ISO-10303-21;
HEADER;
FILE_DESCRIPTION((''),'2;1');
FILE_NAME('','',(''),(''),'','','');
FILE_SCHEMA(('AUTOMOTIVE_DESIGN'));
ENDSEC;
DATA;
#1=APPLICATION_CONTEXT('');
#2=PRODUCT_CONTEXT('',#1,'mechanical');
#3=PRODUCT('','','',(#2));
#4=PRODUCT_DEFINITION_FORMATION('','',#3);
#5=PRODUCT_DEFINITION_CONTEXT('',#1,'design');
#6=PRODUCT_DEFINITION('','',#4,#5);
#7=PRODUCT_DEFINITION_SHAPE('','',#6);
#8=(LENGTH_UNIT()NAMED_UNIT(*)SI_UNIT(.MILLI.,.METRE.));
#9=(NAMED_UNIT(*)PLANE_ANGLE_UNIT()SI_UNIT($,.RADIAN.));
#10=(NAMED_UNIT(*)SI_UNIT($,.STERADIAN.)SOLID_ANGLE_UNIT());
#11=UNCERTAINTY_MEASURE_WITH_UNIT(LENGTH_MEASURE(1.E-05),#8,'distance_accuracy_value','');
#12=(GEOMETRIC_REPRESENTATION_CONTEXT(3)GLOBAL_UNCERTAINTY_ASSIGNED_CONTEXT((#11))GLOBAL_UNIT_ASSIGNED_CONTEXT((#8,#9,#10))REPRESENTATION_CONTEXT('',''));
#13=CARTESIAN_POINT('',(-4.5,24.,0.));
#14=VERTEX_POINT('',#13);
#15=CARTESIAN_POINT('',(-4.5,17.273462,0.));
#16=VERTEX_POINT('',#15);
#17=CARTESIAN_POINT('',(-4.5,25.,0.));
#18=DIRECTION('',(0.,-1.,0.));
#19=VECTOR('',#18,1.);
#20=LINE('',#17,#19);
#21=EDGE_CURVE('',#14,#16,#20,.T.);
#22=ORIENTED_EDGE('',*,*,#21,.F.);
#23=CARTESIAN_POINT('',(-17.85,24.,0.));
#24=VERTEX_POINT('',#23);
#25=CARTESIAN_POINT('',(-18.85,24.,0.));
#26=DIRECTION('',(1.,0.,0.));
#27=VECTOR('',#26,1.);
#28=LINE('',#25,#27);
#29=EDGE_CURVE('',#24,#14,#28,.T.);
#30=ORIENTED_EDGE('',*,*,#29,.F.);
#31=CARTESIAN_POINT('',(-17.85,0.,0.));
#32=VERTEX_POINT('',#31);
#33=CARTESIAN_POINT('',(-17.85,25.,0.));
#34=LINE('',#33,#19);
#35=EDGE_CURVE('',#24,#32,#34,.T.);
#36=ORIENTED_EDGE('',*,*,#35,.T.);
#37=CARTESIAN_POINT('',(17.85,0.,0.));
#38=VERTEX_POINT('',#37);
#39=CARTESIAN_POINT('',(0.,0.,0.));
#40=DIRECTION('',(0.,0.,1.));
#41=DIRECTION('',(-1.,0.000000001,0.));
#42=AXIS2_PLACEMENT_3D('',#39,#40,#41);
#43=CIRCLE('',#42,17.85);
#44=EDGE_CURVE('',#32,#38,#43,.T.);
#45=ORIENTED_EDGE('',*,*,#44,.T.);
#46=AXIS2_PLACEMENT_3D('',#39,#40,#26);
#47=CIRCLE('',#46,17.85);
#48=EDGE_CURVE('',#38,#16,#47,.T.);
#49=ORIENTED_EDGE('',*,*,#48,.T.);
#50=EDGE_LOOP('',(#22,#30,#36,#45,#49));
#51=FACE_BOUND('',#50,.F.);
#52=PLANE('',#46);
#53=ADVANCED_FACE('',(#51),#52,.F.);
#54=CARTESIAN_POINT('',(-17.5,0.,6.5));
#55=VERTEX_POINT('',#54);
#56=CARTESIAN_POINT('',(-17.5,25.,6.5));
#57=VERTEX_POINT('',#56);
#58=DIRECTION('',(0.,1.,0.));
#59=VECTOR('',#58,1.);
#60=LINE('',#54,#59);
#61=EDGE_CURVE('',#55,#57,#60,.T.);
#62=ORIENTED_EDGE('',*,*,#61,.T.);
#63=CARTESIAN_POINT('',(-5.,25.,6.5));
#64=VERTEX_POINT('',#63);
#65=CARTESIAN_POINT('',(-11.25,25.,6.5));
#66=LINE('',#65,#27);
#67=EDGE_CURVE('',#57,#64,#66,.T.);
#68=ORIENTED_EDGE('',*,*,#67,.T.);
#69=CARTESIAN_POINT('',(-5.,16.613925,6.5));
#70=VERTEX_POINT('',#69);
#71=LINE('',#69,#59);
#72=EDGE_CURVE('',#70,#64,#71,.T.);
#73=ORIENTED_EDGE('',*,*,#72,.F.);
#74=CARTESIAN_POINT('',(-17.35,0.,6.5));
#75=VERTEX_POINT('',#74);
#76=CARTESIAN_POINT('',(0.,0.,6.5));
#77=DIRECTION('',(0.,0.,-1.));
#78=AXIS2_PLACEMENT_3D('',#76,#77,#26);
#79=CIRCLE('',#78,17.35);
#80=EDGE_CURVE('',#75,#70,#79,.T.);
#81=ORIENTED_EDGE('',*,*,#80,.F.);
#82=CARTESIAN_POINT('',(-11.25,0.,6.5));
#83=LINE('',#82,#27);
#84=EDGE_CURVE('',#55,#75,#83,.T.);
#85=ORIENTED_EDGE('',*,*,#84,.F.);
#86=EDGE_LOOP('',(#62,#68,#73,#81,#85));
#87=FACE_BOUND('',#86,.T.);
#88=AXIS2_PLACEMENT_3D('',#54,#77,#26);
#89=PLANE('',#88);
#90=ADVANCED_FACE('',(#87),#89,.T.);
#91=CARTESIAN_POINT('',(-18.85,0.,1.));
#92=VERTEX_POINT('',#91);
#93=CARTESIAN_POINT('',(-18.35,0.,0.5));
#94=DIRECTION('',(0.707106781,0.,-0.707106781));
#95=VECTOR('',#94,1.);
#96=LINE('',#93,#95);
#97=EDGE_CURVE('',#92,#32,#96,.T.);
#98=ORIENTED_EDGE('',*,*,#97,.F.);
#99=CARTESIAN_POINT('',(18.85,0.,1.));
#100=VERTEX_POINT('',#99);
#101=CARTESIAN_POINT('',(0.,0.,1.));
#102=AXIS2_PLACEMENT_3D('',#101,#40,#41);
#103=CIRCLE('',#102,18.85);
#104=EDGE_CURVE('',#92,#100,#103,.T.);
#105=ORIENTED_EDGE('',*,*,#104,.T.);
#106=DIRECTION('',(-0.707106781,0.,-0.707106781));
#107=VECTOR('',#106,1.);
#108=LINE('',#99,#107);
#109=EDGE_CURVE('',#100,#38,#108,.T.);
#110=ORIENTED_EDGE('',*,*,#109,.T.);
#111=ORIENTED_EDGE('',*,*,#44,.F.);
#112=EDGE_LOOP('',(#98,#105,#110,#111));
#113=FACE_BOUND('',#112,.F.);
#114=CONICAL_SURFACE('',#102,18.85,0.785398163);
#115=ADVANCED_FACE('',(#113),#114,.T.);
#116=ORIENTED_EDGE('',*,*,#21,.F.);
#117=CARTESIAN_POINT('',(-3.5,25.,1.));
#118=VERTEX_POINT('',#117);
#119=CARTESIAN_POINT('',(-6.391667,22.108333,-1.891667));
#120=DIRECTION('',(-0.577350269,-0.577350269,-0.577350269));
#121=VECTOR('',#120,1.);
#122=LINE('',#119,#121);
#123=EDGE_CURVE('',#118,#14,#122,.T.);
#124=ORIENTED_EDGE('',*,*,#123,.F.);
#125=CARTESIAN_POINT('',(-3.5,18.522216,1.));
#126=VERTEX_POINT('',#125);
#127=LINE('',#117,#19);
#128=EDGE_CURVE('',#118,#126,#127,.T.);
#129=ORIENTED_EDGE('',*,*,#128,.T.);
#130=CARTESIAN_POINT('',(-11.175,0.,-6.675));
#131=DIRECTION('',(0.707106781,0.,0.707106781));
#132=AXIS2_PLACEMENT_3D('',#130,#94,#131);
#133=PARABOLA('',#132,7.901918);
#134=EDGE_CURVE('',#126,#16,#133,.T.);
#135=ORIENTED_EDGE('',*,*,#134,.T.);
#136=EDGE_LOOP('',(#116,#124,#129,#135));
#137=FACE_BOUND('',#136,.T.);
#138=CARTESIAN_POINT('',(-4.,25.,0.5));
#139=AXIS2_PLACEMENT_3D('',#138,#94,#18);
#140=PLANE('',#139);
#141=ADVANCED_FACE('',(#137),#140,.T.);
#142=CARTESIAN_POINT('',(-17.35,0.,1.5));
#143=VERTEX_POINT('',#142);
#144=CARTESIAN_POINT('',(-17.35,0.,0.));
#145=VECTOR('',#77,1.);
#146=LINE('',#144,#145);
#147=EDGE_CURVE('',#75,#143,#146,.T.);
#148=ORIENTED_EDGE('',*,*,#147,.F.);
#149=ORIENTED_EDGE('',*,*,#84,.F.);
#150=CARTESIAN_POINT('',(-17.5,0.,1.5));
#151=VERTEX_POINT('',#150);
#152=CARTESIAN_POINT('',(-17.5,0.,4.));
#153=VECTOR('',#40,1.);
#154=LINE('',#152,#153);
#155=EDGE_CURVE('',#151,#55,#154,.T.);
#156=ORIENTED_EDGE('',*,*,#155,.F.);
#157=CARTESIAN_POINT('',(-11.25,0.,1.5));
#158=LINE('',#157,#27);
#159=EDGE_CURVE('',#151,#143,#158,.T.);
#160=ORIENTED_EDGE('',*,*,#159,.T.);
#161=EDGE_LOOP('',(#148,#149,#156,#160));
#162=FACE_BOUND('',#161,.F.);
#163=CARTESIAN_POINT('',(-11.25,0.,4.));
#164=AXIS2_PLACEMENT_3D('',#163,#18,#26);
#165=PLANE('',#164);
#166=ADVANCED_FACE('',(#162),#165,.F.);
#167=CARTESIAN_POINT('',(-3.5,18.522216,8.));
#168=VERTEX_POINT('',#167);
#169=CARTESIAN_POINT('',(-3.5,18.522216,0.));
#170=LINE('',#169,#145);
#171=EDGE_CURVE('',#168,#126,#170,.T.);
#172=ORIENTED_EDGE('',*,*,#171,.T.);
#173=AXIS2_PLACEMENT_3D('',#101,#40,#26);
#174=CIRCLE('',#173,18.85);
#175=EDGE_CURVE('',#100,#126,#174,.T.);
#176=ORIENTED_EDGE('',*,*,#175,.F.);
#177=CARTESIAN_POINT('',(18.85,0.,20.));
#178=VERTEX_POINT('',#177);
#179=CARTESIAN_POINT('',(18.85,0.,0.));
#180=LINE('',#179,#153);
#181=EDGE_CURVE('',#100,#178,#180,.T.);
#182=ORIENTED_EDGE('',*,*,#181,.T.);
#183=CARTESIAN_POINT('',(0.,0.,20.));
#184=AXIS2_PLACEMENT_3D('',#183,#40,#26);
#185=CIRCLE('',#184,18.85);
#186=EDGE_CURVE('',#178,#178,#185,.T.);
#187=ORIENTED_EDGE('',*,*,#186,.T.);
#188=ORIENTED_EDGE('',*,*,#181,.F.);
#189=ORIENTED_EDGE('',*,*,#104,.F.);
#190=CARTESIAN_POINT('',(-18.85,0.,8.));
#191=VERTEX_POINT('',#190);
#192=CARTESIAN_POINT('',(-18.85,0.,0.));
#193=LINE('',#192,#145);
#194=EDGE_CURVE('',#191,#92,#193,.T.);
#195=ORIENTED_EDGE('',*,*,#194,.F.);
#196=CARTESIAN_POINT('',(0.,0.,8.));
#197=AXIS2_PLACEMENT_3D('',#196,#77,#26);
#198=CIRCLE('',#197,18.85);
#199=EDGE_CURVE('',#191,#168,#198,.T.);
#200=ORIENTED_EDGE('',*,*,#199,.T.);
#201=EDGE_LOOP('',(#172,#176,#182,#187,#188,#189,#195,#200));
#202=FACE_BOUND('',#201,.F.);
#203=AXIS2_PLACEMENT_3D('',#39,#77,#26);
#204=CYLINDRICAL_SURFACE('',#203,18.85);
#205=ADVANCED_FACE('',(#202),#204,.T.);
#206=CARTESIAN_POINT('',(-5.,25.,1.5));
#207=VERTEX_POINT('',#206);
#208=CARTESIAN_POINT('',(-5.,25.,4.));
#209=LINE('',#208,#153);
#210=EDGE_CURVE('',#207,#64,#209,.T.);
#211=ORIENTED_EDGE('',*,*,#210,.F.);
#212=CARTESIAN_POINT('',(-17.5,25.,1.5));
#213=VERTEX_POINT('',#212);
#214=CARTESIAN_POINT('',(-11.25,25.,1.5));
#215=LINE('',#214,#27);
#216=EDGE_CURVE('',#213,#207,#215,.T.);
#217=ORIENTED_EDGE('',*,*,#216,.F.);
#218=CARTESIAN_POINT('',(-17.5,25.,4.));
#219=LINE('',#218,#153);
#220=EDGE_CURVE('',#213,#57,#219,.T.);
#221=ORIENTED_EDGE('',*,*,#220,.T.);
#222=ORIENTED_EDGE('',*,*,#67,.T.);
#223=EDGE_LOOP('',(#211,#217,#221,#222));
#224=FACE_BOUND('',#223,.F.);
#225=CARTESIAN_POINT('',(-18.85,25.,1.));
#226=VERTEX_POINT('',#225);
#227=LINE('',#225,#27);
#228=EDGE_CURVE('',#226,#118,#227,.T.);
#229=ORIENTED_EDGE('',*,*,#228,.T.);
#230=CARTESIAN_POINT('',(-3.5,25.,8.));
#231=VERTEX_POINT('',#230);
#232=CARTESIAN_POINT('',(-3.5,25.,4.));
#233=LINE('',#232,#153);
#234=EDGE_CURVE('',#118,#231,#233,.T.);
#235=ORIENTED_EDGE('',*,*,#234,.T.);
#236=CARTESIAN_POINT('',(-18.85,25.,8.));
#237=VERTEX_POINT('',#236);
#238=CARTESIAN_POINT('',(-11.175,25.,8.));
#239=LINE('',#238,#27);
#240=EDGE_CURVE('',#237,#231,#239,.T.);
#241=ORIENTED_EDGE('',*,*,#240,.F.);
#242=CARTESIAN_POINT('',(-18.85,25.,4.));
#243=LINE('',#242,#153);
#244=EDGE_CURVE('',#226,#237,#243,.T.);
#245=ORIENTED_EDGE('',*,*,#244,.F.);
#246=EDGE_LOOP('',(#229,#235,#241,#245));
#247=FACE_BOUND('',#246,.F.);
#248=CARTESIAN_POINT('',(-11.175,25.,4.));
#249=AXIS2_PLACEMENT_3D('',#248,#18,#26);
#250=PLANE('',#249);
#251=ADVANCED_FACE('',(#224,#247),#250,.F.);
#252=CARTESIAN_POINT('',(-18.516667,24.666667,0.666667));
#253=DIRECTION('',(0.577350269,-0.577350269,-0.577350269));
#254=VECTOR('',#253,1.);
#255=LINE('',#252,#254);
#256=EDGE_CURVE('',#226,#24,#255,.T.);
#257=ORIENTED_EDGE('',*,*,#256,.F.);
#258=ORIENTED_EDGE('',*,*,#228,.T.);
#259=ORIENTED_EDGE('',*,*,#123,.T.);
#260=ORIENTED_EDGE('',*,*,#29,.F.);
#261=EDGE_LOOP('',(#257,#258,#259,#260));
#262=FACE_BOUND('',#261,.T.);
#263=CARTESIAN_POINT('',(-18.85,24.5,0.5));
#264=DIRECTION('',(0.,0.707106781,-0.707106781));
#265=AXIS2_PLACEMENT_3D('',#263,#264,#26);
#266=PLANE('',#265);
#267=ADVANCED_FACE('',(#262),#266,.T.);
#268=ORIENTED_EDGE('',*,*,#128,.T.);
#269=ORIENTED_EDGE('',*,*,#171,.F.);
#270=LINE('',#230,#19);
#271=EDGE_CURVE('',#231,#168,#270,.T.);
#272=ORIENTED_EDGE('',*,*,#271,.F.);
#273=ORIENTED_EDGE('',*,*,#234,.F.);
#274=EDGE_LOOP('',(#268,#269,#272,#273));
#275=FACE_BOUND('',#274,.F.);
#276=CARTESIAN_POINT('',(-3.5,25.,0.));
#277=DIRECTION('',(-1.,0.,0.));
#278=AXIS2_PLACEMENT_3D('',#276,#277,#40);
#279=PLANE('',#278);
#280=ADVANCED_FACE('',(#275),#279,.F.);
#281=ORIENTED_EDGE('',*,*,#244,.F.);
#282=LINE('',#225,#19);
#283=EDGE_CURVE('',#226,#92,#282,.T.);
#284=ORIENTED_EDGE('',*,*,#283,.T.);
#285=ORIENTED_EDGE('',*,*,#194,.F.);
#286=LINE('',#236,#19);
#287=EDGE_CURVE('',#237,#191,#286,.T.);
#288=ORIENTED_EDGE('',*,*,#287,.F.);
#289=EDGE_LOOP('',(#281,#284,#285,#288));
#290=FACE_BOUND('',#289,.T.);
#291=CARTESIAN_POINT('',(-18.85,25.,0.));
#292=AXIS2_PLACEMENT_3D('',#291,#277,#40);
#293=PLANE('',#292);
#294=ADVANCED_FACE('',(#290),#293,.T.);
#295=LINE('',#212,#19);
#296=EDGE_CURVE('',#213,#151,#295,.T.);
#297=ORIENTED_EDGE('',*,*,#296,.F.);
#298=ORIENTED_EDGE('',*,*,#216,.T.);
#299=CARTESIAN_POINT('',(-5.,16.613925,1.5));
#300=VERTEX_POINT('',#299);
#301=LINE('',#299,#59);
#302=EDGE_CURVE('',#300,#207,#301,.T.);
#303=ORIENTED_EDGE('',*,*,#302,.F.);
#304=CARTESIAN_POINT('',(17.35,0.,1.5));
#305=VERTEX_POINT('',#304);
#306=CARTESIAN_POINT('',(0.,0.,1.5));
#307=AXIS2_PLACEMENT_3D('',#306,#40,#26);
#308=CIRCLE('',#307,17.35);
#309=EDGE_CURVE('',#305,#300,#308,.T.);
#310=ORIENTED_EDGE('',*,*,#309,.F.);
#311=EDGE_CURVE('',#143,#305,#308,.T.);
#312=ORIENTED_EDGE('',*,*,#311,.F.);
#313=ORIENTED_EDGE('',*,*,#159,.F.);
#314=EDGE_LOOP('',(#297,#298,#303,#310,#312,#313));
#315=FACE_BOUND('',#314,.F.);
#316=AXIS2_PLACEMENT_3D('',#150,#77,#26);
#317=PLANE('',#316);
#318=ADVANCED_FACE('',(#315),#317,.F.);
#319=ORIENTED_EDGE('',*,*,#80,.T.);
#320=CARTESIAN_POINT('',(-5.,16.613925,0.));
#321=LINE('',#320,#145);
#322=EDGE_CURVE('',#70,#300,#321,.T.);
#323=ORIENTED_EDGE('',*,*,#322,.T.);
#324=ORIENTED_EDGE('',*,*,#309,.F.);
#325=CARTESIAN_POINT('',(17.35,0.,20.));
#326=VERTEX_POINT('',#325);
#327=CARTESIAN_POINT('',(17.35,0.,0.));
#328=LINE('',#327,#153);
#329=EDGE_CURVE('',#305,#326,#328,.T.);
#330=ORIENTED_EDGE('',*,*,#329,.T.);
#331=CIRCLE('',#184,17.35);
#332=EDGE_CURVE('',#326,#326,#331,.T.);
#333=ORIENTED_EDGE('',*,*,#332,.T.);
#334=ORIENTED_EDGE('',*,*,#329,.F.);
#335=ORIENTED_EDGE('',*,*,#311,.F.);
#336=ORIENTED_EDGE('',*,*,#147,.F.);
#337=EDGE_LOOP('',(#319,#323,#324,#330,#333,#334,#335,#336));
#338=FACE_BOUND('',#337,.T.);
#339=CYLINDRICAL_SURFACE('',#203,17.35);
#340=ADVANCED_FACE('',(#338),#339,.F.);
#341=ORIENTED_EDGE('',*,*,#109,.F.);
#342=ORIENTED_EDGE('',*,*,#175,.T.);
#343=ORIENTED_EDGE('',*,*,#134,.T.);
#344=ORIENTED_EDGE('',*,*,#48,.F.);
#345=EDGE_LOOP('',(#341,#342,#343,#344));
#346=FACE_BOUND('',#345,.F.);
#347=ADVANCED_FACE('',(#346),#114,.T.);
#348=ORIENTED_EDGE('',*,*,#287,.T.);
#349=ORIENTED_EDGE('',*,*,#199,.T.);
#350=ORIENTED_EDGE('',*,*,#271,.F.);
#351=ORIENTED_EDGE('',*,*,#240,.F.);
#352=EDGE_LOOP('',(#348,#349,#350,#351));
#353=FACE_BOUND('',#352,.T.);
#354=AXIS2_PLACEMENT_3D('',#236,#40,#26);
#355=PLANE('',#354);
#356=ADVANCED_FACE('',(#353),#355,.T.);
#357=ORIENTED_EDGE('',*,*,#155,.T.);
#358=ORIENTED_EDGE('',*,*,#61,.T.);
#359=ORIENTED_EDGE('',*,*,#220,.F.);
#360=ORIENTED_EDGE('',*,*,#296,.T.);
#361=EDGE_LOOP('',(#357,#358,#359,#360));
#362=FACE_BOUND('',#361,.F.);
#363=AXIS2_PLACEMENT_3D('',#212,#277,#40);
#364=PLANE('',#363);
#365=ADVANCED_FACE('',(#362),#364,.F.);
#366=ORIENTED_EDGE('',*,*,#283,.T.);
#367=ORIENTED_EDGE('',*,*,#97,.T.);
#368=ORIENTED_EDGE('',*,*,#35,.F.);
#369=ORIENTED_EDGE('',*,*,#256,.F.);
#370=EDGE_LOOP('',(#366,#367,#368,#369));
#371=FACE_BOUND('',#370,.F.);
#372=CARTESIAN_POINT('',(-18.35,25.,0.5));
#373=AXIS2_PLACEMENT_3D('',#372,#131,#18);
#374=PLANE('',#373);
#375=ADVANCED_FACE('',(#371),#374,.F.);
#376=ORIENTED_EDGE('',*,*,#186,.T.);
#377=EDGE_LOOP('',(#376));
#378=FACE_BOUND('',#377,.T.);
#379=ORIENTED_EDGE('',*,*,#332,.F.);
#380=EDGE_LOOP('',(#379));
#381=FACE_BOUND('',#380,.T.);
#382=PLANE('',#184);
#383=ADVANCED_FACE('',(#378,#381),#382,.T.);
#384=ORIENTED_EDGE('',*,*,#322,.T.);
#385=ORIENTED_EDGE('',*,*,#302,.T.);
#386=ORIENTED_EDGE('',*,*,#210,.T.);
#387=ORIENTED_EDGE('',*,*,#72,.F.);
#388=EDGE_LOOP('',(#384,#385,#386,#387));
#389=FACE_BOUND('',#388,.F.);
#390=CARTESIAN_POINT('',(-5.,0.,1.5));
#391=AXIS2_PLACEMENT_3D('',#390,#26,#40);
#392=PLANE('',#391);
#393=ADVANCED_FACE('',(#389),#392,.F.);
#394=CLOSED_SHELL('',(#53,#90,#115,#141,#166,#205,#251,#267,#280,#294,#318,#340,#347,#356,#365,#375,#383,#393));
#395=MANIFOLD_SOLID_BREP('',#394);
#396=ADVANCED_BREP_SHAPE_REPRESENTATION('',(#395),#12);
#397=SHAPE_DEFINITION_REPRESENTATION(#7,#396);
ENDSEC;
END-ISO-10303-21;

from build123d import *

# Parameters (mm, degrees)
F0_R     = 17.35
F1_DEPTH = 1.5
F0_R_2   = 18.85
F2_DEPTH = 20
F3_W     = 12.5
F3_H     = 5
F4_DEPTH = 25
F6_W     = 15.35
F6_H     = 8
F6_W_2   = 12.5
F6_H_2   = 5
F8_SIZE  = 1


with BuildPart() as f1:
    # F0 (on Top) → F1 (new body)
    with BuildSketch(Plane.XY):
        Circle(F0_R)
    extrude(amount=F1_DEPTH)

    # F0 (on Top) → F2 (join)
    with BuildSketch(Plane.XY):
        Circle(F0_R_2)
        Circle(F0_R, mode=Mode.SUBTRACT)
    extrude(amount=F2_DEPTH)

    # F3 (on Front) → F4 (cut)
    with BuildSketch(Plane.XZ):
        with Locations((-11.25, 4)):
            Rectangle(F3_W, F3_H)
    extrude(amount=-F4_DEPTH, mode=Mode.SUBTRACT)

    # F6 (on offset) → F7 (join, up to the next surface of F1)
    with BuildSketch(Plane.XZ.offset(-25)):
        with Locations((-11.175, 4)):
            Rectangle(F6_W, F6_H)
        with Locations((-11.25, 4)):
            Rectangle(F6_W_2, F6_H_2, mode=Mode.SUBTRACT)
    extrude(until=Until.NEXT)

    # F8
    f8_edges = [f1.edges().sort_by_distance(p)[0] for p in [
        (12.02804, 14.513743, 0),
        (-3.5, 21.761108, 0),
        (-11.175, 25, 0),
        (-18.85, 12.5, 0),
        (0, -18.85, 0),
    ]]
    chamfer(f8_edges, length=F8_SIZE)


solid = f1.part
